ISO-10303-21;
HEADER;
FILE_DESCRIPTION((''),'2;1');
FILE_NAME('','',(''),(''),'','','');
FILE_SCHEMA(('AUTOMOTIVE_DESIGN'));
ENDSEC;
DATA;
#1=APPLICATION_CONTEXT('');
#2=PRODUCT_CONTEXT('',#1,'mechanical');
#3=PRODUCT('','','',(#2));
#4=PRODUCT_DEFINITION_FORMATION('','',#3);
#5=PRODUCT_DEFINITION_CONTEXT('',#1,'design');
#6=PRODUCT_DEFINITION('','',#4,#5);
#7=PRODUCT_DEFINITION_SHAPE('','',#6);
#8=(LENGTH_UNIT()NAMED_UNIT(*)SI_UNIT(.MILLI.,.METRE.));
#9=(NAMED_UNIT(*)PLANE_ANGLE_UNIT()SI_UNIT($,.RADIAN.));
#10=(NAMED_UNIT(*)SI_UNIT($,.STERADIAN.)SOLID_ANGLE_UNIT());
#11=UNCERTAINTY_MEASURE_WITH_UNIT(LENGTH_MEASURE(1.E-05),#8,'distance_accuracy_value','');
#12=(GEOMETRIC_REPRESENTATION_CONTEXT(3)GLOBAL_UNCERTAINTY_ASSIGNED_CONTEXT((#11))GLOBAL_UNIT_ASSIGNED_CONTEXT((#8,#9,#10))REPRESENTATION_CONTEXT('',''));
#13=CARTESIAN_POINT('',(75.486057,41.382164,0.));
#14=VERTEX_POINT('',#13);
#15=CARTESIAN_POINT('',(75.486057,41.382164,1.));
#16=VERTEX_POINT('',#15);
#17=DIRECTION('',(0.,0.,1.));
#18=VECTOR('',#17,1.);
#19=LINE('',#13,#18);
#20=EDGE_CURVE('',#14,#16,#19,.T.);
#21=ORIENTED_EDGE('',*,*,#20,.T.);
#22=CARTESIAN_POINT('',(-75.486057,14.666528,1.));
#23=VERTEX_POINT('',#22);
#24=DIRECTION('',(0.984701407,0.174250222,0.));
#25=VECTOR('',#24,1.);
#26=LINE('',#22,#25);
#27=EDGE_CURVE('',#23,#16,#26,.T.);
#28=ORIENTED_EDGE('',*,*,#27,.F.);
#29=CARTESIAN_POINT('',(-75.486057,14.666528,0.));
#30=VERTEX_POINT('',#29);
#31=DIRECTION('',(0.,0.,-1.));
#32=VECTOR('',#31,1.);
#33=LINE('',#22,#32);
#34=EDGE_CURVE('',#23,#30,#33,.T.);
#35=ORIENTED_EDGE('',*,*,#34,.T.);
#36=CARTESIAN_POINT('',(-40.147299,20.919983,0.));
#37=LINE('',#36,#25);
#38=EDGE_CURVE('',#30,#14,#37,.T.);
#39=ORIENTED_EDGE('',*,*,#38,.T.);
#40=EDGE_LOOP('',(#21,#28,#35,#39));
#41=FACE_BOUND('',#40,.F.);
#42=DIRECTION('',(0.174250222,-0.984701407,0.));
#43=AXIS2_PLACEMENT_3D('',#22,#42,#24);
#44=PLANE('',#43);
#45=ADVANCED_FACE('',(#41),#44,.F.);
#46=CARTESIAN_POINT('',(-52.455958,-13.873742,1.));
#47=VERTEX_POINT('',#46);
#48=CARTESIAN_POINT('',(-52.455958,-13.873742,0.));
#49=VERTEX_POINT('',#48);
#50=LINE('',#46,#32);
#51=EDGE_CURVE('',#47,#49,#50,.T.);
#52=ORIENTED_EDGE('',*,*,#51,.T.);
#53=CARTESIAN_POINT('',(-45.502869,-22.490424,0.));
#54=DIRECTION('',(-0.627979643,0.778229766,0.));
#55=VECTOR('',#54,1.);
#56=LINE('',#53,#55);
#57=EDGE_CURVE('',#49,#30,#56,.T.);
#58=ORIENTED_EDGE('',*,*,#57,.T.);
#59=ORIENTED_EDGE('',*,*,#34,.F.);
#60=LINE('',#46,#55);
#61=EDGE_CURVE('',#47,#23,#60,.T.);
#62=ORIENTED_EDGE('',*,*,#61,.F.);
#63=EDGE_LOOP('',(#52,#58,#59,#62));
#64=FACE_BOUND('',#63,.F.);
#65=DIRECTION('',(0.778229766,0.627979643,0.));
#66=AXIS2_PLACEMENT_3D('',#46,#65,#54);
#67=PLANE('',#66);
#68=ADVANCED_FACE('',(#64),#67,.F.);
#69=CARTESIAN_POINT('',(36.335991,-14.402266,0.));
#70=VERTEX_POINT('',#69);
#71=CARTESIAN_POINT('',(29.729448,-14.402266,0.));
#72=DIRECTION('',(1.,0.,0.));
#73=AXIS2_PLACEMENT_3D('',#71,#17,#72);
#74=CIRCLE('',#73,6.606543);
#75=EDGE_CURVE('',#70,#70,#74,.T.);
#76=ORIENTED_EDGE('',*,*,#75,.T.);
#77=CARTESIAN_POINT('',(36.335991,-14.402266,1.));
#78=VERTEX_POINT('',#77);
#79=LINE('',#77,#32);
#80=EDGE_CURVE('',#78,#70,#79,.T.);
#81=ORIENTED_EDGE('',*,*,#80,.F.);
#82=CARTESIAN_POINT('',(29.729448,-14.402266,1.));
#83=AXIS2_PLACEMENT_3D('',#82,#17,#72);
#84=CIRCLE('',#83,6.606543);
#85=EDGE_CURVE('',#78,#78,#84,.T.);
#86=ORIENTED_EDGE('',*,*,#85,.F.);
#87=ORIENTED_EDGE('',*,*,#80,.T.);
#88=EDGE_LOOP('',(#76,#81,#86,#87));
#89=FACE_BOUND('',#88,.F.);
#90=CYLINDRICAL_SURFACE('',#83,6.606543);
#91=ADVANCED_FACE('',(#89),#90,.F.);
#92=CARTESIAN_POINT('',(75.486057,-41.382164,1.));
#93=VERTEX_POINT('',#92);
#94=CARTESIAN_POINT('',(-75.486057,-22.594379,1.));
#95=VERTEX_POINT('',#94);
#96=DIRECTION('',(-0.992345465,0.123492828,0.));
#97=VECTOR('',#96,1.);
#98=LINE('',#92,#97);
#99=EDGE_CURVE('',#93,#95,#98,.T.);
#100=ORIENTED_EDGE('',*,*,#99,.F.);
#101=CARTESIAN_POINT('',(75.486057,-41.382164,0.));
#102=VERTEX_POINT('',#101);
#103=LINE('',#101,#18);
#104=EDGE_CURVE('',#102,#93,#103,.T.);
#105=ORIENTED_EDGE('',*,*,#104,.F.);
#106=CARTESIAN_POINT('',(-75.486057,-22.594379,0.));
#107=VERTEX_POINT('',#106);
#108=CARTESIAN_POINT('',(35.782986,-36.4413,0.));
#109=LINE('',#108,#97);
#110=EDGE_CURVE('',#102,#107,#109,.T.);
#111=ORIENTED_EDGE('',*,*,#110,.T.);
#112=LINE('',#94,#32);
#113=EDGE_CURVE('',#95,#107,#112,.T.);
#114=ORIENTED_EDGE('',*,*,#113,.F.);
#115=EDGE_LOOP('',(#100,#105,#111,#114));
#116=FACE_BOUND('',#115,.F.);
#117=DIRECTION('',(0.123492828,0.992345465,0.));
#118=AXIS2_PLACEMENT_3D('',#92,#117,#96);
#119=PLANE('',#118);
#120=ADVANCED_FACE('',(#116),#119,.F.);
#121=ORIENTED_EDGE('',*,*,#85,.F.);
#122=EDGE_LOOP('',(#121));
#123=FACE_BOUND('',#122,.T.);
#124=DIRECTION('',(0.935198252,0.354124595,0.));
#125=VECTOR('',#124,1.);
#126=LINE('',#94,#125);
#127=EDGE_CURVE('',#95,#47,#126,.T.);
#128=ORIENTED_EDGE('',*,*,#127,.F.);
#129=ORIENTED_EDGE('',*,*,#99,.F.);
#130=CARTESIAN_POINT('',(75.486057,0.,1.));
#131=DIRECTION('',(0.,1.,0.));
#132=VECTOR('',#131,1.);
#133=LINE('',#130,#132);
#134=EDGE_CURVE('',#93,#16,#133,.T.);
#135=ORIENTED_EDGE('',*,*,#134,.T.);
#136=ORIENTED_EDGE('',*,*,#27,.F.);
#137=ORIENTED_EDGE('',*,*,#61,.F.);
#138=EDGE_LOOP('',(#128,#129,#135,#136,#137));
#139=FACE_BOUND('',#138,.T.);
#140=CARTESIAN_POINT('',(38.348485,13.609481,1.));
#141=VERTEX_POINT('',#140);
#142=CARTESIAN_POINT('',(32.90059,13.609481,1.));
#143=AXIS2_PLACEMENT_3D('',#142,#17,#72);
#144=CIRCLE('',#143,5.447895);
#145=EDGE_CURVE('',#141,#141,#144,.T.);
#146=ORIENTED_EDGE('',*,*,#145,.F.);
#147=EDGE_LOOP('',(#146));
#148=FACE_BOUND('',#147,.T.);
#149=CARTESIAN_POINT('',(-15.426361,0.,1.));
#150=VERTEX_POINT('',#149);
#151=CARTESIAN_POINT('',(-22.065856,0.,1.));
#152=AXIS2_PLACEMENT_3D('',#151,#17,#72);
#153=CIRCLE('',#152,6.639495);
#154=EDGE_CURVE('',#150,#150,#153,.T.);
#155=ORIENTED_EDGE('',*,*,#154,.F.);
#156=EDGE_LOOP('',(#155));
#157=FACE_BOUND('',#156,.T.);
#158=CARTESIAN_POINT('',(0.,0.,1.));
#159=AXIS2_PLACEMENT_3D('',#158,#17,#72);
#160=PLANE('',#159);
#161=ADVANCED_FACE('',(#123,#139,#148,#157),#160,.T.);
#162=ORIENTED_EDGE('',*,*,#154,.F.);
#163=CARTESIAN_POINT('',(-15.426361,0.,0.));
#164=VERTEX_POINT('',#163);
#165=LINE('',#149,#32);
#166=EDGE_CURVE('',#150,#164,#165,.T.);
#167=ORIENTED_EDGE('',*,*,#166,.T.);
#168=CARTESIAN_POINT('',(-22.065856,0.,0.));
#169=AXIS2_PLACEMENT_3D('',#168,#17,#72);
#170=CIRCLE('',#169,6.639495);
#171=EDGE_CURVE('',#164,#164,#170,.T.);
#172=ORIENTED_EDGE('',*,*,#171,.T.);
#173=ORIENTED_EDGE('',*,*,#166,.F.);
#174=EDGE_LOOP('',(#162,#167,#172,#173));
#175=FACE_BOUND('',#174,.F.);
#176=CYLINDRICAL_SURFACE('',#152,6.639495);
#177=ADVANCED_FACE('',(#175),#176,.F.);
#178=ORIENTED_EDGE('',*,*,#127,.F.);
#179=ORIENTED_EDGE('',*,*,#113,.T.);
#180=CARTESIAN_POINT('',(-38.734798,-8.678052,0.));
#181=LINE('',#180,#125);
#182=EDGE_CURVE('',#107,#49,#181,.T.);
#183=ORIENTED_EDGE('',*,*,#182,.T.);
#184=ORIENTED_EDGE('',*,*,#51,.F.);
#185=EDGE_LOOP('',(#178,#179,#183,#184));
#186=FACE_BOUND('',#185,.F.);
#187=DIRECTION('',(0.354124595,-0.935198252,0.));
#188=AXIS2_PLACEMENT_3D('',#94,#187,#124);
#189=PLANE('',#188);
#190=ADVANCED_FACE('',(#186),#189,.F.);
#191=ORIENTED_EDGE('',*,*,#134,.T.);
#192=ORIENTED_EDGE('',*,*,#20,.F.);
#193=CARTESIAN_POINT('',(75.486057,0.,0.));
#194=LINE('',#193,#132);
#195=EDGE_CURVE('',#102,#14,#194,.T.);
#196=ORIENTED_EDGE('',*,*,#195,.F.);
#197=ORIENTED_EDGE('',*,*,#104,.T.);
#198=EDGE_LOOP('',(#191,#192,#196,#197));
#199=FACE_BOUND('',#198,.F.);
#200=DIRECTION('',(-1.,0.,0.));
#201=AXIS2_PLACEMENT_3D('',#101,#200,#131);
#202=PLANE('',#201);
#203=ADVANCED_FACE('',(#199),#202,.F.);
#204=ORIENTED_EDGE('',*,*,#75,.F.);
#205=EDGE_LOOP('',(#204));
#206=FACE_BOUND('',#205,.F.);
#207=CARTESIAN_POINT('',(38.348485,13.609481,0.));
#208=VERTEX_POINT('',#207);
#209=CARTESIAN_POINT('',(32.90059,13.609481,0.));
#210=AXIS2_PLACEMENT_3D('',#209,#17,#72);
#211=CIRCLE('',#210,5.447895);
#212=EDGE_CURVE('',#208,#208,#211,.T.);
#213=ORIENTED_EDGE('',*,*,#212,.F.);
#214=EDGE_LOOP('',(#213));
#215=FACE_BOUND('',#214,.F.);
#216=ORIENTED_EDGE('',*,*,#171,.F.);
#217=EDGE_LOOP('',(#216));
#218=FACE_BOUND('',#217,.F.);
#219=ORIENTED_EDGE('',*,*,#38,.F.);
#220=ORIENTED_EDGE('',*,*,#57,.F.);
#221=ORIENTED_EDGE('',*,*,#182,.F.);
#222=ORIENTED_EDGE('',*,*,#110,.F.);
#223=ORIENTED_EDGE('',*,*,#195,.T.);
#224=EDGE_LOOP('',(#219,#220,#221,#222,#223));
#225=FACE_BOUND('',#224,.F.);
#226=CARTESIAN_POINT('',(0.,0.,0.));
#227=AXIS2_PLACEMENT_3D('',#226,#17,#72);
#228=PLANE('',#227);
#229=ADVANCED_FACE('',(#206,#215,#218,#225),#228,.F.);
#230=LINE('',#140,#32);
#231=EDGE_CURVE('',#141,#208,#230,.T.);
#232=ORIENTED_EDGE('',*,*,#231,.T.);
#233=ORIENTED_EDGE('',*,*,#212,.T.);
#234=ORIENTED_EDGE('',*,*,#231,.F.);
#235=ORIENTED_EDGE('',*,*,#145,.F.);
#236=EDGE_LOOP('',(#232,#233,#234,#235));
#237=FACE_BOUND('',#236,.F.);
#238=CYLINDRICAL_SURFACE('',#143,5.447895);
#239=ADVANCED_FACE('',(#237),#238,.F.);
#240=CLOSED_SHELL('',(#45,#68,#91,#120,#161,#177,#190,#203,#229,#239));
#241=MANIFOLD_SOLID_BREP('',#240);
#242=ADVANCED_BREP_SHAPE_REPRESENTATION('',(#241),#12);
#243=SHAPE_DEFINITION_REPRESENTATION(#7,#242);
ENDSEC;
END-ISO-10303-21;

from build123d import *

# Parameters (mm, degrees)
F0_W     = 150.972114
F0_H     = 82.764328
F1_DEPTH = 1
F3_DEPTH = 25
F4_R     = 5.447895
F4_R_2   = 6.606543
F4_R_3   = 6.639495
F5_DEPTH = 25


with BuildPart() as f1:
    # F0 (on Top) → F1 (new body)
    with BuildSketch(Plane.XY):
        Rectangle(F0_W, F0_H)
    extrude(amount=F1_DEPTH)

    # F2 (on face) → F3 (cut)
    with BuildSketch(Plane.XY.offset(1)):
        Polygon((-75.486057, 14.666528), (75.486057, 41.382164), (-75.486057, 41.382164), align=None)
        Polygon((-52.455958, -13.873742), (-75.486057, 14.666528), (-75.486057, -22.594379), align=None)
        Polygon((-75.486057, -41.382164), (75.486057, -41.382164), (-75.486057, -22.594379), align=None)
    extrude(amount=-F3_DEPTH, mode=Mode.SUBTRACT)

    # F4 (on face) → F5 (cut)
    with BuildSketch(Plane.XY.offset(1)):
        with Locations((32.90059, 13.609481)):
            Circle(F4_R)
        with Locations((29.729448, -14.402266)):
            Circle(F4_R_2)
        with Locations((-22.065856, 0)):
            Circle(F4_R_3)
    extrude(amount=-F5_DEPTH, mode=Mode.SUBTRACT)


solid = f1.part
